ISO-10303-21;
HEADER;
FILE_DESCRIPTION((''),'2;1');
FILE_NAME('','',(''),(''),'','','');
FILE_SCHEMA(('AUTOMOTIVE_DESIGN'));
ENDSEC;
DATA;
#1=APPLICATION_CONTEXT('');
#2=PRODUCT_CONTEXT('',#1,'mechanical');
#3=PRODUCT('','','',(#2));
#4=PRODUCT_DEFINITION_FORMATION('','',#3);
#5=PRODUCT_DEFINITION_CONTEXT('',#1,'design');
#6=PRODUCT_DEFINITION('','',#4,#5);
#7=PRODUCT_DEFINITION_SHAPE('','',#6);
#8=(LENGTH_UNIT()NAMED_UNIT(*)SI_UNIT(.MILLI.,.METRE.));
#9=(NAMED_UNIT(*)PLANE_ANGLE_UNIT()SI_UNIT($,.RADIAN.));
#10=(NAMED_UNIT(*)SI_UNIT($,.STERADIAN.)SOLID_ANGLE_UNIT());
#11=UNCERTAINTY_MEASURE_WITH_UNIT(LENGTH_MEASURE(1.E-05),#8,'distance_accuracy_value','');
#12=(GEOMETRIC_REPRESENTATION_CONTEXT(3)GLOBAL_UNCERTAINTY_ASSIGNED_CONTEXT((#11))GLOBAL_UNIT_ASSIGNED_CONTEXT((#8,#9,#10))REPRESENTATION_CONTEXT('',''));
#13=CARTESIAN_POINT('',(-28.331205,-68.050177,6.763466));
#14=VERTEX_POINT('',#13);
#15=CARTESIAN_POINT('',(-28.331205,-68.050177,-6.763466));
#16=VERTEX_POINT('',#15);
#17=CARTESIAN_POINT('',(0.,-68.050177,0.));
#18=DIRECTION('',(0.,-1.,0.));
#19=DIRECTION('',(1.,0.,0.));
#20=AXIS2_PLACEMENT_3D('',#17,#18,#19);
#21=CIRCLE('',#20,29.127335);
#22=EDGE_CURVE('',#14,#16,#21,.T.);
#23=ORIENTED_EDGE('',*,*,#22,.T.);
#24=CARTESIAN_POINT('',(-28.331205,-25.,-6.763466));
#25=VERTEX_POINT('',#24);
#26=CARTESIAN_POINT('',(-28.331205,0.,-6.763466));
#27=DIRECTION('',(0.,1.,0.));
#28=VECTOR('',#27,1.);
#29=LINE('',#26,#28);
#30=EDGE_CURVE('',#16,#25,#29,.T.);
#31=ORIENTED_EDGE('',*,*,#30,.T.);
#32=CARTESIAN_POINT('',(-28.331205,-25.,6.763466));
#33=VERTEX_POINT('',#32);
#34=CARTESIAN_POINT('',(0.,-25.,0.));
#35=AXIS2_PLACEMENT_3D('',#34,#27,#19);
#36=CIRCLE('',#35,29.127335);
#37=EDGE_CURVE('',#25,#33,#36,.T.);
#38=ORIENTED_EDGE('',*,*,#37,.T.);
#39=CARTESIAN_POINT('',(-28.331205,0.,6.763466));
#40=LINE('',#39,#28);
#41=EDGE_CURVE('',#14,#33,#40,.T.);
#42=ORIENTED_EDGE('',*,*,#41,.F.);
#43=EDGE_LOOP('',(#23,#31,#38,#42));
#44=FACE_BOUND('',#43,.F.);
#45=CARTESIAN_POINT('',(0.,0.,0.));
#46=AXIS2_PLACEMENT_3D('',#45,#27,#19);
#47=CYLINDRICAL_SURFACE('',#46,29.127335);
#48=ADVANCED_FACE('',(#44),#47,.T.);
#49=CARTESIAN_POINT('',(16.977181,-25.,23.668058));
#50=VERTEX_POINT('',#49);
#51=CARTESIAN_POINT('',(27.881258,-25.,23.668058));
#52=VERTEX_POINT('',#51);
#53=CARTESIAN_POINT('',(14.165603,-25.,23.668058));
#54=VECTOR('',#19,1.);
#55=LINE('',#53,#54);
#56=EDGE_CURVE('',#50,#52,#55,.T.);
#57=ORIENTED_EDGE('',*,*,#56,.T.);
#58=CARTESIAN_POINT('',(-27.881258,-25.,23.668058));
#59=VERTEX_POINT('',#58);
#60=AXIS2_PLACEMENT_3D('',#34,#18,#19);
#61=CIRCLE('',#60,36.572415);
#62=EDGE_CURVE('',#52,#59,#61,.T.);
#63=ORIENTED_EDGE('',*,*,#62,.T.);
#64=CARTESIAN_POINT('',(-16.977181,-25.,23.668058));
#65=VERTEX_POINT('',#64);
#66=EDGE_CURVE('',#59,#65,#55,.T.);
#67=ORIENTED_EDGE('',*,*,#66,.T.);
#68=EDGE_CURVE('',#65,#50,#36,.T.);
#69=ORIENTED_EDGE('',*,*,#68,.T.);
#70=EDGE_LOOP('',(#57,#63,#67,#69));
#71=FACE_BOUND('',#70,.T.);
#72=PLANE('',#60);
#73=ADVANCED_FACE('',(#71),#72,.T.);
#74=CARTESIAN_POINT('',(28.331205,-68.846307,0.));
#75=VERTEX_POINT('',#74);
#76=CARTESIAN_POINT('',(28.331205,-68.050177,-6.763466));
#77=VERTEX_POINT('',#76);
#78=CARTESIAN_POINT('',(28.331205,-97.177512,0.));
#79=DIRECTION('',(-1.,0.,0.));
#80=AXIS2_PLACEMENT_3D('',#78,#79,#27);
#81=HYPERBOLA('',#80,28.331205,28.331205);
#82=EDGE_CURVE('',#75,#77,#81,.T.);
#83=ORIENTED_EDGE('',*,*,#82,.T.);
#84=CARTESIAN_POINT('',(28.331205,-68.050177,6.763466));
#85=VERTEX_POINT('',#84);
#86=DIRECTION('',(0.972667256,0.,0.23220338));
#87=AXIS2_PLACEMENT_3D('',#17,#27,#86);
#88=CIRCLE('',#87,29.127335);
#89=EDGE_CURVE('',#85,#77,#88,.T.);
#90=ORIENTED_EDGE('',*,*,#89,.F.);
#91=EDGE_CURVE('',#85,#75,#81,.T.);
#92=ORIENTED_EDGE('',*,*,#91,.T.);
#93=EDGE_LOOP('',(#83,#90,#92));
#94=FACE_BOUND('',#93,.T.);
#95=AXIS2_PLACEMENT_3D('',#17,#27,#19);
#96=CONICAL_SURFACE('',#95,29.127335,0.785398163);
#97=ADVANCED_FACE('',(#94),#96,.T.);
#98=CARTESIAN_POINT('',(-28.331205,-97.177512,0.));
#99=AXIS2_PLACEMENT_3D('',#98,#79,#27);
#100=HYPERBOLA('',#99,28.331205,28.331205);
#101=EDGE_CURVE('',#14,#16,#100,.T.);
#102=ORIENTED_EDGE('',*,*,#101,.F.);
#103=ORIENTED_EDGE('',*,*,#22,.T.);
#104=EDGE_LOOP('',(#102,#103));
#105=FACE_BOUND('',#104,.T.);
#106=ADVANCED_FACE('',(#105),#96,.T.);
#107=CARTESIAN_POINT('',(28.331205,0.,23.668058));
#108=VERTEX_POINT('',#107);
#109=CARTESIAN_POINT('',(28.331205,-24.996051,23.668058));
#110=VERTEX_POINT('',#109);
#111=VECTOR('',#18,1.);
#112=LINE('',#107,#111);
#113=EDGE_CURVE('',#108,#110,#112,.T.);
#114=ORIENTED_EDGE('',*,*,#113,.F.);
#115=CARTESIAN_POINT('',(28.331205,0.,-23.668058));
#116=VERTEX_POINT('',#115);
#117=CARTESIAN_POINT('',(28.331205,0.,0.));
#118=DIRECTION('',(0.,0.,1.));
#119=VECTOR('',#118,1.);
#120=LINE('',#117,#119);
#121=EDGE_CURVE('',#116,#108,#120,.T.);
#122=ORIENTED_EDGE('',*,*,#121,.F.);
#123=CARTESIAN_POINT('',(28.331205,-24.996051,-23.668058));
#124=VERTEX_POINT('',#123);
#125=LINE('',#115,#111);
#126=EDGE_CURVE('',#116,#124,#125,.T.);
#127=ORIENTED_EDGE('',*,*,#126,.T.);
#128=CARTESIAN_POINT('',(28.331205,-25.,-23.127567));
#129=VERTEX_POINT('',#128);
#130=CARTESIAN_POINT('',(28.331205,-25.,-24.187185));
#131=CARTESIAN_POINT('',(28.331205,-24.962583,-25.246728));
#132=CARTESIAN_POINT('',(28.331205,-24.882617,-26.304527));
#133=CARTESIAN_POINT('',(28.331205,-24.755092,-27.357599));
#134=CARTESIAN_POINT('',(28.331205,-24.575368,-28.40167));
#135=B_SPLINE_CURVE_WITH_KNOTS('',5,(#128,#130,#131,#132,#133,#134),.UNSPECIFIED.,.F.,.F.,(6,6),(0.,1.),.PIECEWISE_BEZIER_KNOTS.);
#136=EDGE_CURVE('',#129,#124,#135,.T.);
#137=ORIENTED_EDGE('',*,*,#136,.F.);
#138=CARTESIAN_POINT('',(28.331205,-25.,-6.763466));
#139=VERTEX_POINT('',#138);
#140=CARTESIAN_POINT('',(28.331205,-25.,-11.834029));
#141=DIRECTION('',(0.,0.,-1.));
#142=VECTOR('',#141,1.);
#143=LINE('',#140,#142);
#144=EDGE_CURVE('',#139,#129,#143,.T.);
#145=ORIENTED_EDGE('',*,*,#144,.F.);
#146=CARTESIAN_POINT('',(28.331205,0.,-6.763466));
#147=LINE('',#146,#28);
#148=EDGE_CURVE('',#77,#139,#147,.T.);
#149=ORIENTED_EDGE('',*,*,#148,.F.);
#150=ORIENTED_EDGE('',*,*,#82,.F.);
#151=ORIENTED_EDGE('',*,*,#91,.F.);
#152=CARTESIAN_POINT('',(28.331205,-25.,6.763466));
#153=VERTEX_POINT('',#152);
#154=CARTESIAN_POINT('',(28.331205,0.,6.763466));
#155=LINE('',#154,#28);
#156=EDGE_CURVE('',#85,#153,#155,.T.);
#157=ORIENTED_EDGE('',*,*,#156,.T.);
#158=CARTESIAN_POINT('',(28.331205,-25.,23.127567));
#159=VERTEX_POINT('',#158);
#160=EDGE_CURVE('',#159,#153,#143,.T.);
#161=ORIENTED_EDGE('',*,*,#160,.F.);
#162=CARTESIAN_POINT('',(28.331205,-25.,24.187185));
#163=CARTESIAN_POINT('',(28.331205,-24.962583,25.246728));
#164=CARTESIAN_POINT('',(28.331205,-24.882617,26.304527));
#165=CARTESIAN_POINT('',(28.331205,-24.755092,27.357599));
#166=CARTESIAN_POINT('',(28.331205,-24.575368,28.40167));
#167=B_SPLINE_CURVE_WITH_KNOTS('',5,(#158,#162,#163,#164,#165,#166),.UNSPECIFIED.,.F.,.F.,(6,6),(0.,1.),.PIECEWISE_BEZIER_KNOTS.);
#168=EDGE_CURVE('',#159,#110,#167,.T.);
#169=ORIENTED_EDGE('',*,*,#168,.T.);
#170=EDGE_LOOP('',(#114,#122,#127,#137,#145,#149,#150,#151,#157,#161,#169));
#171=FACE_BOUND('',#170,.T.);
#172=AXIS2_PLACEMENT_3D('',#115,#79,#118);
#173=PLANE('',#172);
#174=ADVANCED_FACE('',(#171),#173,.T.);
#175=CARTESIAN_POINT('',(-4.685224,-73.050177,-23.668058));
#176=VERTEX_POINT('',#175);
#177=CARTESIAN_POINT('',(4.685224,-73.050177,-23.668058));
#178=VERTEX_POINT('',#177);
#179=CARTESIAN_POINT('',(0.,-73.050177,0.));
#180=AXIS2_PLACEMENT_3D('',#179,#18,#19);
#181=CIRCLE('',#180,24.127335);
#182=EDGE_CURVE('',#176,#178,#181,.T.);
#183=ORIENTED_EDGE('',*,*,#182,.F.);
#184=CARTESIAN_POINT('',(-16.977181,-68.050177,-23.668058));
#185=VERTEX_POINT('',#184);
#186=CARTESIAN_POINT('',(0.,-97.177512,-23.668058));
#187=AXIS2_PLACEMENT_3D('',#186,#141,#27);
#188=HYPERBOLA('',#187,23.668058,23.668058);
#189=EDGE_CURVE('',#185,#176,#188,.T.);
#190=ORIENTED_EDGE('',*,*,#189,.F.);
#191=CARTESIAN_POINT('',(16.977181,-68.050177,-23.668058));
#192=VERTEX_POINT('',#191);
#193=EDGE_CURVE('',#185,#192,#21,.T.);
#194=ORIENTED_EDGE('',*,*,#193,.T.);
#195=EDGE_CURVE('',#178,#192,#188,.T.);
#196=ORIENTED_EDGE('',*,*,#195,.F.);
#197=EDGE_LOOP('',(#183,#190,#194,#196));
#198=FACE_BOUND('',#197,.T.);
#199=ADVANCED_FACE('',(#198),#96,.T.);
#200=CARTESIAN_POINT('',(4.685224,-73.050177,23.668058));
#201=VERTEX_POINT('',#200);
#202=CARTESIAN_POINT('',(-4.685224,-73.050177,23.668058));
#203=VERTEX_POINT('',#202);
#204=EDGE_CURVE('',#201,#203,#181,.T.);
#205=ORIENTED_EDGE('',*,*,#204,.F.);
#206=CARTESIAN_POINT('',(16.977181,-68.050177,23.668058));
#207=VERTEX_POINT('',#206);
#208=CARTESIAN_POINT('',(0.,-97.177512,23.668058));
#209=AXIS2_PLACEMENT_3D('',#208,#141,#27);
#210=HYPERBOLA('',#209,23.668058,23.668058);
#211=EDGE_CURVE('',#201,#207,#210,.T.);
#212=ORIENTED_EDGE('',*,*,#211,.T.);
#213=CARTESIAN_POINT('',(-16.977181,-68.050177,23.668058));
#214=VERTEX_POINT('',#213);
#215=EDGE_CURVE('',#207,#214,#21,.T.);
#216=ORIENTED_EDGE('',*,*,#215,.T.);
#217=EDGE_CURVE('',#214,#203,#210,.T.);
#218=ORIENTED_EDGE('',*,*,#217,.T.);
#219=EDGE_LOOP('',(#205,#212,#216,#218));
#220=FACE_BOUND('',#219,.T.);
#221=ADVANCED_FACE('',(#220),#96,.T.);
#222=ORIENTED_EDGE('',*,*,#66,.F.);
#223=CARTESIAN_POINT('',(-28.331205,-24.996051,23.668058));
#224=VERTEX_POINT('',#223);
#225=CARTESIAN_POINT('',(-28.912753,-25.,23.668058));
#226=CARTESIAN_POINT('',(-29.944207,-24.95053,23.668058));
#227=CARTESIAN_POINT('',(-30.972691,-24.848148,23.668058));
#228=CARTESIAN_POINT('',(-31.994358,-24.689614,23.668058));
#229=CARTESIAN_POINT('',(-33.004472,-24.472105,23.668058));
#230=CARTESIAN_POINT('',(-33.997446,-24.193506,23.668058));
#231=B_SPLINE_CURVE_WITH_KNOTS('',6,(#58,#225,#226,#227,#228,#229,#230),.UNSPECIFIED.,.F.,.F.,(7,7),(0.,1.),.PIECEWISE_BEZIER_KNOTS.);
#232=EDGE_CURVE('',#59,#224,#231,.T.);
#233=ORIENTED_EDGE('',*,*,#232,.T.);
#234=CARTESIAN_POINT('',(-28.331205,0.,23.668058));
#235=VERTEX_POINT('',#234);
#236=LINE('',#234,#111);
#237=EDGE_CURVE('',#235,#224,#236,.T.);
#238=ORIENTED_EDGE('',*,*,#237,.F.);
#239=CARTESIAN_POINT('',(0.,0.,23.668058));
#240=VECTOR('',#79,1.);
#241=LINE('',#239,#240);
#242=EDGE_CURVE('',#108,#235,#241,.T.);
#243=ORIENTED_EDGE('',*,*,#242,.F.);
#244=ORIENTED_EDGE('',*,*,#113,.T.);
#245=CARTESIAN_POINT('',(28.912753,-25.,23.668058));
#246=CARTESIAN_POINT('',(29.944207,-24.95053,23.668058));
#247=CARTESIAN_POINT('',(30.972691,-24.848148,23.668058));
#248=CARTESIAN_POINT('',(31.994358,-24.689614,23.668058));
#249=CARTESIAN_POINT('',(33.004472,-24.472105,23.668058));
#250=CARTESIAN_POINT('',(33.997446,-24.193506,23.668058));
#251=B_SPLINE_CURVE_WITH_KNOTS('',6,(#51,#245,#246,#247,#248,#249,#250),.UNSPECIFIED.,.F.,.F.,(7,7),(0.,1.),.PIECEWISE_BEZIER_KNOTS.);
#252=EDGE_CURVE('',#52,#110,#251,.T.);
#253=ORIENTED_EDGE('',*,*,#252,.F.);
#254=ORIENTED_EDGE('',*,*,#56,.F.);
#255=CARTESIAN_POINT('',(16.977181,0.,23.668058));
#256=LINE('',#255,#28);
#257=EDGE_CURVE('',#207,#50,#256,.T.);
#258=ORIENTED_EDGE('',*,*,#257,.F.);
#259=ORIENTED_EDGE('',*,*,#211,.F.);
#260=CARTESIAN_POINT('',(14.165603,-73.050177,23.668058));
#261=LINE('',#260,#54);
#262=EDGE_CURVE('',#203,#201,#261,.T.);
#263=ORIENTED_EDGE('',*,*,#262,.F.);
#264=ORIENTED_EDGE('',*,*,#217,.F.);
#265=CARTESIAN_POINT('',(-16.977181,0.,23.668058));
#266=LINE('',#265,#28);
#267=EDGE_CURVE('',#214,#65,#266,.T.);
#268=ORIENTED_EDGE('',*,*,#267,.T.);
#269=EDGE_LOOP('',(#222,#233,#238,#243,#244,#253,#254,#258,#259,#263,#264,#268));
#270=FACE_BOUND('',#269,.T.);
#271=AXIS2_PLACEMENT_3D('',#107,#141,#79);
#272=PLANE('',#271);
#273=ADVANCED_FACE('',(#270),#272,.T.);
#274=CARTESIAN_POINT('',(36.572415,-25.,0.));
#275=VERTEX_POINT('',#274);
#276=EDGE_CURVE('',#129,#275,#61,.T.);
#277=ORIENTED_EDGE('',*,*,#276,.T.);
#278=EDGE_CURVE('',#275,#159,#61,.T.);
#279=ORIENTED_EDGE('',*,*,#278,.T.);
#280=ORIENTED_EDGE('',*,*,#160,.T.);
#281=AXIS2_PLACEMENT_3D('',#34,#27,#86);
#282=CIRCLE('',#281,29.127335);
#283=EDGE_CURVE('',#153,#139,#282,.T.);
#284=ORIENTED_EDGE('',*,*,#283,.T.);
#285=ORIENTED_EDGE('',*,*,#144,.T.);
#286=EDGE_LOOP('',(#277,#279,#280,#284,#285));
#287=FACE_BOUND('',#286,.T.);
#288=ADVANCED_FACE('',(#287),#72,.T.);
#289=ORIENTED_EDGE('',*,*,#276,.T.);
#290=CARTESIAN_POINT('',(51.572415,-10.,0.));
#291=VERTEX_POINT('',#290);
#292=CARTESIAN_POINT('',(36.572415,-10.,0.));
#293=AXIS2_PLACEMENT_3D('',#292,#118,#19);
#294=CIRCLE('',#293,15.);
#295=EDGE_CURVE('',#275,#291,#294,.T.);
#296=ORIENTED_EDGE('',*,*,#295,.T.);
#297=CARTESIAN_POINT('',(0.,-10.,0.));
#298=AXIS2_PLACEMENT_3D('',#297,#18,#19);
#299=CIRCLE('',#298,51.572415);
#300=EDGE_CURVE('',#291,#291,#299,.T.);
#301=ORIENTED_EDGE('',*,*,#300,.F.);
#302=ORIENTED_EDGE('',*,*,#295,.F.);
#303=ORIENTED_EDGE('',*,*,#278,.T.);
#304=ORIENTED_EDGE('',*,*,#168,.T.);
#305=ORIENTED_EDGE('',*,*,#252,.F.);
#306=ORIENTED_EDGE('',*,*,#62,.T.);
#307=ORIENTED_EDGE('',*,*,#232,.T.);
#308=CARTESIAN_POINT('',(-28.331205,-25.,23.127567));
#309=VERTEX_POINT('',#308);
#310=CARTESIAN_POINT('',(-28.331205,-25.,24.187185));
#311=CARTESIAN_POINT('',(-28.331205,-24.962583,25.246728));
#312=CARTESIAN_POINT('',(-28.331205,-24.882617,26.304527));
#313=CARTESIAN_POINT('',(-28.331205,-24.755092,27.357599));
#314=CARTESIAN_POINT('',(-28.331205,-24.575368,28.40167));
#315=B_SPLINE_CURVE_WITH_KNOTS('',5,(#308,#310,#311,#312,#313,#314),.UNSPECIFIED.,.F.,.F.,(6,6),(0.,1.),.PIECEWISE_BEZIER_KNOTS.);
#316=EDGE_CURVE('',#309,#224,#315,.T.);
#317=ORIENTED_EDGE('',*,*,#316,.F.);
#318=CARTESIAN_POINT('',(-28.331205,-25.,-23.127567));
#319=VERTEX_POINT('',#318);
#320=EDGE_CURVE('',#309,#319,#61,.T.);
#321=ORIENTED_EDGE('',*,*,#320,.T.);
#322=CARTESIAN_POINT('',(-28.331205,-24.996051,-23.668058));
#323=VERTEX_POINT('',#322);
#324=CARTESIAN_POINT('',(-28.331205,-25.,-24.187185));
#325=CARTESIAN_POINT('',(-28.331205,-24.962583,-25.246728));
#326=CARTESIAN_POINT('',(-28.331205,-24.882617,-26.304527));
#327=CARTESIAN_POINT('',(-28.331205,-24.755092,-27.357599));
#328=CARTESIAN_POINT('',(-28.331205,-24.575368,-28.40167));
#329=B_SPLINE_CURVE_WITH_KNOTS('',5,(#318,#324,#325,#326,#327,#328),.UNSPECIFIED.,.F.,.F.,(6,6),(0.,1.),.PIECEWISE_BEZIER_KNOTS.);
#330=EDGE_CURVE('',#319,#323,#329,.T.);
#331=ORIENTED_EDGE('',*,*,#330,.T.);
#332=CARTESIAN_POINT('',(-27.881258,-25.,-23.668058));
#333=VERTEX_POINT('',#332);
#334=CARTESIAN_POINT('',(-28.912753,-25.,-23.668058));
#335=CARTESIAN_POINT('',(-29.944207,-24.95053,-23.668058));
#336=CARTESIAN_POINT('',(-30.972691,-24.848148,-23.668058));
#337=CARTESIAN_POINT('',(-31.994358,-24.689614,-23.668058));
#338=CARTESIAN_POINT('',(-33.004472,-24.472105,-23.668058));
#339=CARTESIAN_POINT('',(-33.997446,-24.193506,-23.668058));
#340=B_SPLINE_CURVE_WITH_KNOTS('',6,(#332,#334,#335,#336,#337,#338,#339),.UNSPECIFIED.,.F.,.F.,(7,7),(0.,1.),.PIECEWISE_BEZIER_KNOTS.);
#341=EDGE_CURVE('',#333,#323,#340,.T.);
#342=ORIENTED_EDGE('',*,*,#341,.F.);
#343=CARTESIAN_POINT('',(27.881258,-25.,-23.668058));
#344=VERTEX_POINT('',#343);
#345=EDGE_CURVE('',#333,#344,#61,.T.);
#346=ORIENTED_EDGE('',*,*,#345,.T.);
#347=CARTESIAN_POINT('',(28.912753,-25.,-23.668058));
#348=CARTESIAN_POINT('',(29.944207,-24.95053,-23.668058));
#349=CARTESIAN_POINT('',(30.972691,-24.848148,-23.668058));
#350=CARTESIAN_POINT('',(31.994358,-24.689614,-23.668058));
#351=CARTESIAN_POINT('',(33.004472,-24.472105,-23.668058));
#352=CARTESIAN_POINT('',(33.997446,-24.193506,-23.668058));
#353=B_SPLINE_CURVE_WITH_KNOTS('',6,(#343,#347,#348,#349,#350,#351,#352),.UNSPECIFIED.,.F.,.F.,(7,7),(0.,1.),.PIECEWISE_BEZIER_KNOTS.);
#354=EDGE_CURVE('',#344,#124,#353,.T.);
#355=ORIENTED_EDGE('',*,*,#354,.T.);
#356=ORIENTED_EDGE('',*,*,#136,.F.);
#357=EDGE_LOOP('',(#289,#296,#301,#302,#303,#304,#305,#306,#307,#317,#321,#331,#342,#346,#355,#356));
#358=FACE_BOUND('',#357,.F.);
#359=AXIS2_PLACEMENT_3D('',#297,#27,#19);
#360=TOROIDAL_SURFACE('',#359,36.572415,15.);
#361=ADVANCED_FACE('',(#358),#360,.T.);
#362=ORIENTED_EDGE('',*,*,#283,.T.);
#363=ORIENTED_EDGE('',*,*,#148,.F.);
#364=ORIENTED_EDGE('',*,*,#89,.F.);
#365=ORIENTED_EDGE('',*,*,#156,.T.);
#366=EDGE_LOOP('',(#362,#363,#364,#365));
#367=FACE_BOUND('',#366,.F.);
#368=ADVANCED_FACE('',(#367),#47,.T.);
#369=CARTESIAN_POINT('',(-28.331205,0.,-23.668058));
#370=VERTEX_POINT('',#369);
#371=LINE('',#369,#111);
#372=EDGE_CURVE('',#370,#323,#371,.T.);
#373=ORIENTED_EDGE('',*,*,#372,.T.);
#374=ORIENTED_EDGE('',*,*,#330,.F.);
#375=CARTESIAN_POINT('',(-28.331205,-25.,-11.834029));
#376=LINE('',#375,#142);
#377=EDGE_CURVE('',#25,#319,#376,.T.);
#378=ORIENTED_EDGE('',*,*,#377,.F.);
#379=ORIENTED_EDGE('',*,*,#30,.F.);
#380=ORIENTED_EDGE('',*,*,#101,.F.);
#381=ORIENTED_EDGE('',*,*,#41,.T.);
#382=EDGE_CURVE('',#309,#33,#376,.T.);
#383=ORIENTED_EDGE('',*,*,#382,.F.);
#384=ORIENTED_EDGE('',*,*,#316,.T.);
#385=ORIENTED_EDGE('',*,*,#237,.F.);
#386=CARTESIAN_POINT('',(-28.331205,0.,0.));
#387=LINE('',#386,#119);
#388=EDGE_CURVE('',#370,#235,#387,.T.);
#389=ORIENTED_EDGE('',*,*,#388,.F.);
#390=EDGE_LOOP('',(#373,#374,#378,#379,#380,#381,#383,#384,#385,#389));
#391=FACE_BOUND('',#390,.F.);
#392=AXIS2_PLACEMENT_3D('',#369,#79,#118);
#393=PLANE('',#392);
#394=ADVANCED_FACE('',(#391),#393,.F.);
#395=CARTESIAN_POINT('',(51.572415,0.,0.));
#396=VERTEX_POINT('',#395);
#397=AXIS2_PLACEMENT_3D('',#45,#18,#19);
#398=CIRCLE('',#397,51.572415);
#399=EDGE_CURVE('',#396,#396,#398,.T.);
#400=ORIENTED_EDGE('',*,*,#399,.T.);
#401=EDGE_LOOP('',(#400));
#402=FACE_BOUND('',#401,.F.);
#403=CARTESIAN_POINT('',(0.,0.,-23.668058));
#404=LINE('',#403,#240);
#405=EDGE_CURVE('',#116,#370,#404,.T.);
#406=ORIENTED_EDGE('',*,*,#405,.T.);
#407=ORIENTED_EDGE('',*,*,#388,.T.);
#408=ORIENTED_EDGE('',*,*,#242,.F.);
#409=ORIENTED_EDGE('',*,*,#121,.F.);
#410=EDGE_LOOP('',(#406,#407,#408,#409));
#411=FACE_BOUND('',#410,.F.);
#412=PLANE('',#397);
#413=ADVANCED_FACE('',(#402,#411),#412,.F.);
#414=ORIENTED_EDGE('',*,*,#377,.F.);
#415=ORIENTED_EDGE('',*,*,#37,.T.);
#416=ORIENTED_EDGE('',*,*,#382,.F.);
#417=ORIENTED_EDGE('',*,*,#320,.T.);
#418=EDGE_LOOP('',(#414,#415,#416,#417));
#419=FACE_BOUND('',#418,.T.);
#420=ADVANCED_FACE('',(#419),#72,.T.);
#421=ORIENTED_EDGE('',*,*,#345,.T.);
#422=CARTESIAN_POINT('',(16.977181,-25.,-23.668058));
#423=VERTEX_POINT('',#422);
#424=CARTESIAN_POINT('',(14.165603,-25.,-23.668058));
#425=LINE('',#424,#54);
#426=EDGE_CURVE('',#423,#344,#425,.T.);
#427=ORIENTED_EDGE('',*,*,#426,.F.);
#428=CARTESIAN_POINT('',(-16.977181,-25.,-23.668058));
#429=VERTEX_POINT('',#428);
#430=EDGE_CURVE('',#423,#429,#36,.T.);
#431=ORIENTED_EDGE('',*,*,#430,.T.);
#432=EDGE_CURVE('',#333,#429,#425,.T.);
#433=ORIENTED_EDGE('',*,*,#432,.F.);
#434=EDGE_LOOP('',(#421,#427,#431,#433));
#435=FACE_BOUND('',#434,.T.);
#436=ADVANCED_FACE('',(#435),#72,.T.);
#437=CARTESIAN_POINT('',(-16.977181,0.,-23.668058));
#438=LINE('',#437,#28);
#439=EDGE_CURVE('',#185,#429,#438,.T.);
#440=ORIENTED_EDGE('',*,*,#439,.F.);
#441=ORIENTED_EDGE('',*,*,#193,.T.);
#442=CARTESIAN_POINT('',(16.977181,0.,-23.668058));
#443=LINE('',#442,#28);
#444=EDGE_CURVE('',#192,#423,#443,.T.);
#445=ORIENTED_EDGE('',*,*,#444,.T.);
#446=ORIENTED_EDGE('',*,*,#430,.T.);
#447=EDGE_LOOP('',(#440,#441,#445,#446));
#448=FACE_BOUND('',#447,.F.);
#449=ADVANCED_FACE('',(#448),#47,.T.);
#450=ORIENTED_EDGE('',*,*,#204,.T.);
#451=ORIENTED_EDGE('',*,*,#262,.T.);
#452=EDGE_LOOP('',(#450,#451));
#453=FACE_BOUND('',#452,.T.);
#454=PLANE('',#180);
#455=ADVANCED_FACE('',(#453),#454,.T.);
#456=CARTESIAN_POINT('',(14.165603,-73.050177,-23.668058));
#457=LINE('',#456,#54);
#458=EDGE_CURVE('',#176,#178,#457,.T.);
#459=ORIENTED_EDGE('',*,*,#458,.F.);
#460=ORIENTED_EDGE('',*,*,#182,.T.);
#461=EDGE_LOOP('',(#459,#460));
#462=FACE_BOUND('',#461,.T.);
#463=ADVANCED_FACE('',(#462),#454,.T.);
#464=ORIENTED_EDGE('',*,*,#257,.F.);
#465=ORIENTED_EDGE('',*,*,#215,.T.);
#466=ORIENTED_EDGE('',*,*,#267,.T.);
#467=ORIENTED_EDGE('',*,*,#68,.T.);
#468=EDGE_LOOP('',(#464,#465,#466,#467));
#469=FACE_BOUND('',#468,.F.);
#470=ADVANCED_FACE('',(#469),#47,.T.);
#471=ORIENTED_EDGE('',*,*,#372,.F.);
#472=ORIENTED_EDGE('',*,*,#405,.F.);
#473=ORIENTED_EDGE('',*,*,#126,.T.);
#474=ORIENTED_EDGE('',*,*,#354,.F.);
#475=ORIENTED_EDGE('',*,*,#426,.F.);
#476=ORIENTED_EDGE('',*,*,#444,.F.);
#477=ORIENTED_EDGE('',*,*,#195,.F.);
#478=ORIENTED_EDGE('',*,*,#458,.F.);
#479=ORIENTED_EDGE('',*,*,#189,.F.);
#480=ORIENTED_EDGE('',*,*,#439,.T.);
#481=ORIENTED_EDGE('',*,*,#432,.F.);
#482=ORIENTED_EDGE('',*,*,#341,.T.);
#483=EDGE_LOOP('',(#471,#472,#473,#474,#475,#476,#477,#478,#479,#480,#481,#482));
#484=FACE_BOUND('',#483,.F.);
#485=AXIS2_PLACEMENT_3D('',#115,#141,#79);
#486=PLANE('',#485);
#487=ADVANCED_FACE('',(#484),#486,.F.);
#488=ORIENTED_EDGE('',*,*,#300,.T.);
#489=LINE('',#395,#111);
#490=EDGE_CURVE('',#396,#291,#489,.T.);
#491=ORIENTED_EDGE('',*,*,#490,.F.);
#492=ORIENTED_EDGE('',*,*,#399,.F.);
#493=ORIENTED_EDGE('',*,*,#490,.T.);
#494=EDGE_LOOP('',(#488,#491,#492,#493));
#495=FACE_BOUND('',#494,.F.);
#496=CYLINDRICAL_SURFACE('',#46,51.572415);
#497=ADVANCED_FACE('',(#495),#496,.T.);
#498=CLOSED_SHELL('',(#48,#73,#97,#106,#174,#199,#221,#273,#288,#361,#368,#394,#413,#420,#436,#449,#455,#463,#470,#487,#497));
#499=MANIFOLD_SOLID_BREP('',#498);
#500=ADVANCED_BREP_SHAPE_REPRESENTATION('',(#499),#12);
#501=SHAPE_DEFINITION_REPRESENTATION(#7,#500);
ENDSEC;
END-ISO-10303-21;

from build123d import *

# Parameters (mm, degrees)
F1_R     = 51.572415
F2_DEPTH = 25
F0_R     = 29.127335
F3_DEPTH = 73.050177
F4_SIZE  = 5
F5_R     = 15
F6_W     = 56.66241
F6_H     = 47.336116
F7_DEPTH = 91.210647


with BuildPart() as f2:
    # F1 (on Front) → F2 (new body)
    with BuildSketch(Plane.XZ):
        Circle(F1_R)
    extrude(amount=F2_DEPTH)

    # F0 (on Front) → F3 (join)
    with BuildSketch(Plane.XZ):
        Circle(F0_R)
    extrude(amount=F3_DEPTH)

    # F4
    f4_edges = [f2.edges().sort_by_distance(p)[0] for p in [
        (-29.127335, -73.050177, 0),
    ]]
    chamfer(f4_edges, length=F4_SIZE)

    # F5
    f5_edges = [f2.edges().sort_by_distance(p)[0] for p in [
        (-51.572415, -25, 0),
    ]]
    fillet(f5_edges, radius=F5_R)

    # F6 (on face) → F7 (cut)
    with BuildSketch(Plane(origin=(0, 0, 0), x_dir=(-1, 0, 0), z_dir=(0, 1, 0))):
        Rectangle(F6_W, F6_H)
    extrude(amount=-F7_DEPTH, mode=Mode.SUBTRACT)


solid = f2.part
